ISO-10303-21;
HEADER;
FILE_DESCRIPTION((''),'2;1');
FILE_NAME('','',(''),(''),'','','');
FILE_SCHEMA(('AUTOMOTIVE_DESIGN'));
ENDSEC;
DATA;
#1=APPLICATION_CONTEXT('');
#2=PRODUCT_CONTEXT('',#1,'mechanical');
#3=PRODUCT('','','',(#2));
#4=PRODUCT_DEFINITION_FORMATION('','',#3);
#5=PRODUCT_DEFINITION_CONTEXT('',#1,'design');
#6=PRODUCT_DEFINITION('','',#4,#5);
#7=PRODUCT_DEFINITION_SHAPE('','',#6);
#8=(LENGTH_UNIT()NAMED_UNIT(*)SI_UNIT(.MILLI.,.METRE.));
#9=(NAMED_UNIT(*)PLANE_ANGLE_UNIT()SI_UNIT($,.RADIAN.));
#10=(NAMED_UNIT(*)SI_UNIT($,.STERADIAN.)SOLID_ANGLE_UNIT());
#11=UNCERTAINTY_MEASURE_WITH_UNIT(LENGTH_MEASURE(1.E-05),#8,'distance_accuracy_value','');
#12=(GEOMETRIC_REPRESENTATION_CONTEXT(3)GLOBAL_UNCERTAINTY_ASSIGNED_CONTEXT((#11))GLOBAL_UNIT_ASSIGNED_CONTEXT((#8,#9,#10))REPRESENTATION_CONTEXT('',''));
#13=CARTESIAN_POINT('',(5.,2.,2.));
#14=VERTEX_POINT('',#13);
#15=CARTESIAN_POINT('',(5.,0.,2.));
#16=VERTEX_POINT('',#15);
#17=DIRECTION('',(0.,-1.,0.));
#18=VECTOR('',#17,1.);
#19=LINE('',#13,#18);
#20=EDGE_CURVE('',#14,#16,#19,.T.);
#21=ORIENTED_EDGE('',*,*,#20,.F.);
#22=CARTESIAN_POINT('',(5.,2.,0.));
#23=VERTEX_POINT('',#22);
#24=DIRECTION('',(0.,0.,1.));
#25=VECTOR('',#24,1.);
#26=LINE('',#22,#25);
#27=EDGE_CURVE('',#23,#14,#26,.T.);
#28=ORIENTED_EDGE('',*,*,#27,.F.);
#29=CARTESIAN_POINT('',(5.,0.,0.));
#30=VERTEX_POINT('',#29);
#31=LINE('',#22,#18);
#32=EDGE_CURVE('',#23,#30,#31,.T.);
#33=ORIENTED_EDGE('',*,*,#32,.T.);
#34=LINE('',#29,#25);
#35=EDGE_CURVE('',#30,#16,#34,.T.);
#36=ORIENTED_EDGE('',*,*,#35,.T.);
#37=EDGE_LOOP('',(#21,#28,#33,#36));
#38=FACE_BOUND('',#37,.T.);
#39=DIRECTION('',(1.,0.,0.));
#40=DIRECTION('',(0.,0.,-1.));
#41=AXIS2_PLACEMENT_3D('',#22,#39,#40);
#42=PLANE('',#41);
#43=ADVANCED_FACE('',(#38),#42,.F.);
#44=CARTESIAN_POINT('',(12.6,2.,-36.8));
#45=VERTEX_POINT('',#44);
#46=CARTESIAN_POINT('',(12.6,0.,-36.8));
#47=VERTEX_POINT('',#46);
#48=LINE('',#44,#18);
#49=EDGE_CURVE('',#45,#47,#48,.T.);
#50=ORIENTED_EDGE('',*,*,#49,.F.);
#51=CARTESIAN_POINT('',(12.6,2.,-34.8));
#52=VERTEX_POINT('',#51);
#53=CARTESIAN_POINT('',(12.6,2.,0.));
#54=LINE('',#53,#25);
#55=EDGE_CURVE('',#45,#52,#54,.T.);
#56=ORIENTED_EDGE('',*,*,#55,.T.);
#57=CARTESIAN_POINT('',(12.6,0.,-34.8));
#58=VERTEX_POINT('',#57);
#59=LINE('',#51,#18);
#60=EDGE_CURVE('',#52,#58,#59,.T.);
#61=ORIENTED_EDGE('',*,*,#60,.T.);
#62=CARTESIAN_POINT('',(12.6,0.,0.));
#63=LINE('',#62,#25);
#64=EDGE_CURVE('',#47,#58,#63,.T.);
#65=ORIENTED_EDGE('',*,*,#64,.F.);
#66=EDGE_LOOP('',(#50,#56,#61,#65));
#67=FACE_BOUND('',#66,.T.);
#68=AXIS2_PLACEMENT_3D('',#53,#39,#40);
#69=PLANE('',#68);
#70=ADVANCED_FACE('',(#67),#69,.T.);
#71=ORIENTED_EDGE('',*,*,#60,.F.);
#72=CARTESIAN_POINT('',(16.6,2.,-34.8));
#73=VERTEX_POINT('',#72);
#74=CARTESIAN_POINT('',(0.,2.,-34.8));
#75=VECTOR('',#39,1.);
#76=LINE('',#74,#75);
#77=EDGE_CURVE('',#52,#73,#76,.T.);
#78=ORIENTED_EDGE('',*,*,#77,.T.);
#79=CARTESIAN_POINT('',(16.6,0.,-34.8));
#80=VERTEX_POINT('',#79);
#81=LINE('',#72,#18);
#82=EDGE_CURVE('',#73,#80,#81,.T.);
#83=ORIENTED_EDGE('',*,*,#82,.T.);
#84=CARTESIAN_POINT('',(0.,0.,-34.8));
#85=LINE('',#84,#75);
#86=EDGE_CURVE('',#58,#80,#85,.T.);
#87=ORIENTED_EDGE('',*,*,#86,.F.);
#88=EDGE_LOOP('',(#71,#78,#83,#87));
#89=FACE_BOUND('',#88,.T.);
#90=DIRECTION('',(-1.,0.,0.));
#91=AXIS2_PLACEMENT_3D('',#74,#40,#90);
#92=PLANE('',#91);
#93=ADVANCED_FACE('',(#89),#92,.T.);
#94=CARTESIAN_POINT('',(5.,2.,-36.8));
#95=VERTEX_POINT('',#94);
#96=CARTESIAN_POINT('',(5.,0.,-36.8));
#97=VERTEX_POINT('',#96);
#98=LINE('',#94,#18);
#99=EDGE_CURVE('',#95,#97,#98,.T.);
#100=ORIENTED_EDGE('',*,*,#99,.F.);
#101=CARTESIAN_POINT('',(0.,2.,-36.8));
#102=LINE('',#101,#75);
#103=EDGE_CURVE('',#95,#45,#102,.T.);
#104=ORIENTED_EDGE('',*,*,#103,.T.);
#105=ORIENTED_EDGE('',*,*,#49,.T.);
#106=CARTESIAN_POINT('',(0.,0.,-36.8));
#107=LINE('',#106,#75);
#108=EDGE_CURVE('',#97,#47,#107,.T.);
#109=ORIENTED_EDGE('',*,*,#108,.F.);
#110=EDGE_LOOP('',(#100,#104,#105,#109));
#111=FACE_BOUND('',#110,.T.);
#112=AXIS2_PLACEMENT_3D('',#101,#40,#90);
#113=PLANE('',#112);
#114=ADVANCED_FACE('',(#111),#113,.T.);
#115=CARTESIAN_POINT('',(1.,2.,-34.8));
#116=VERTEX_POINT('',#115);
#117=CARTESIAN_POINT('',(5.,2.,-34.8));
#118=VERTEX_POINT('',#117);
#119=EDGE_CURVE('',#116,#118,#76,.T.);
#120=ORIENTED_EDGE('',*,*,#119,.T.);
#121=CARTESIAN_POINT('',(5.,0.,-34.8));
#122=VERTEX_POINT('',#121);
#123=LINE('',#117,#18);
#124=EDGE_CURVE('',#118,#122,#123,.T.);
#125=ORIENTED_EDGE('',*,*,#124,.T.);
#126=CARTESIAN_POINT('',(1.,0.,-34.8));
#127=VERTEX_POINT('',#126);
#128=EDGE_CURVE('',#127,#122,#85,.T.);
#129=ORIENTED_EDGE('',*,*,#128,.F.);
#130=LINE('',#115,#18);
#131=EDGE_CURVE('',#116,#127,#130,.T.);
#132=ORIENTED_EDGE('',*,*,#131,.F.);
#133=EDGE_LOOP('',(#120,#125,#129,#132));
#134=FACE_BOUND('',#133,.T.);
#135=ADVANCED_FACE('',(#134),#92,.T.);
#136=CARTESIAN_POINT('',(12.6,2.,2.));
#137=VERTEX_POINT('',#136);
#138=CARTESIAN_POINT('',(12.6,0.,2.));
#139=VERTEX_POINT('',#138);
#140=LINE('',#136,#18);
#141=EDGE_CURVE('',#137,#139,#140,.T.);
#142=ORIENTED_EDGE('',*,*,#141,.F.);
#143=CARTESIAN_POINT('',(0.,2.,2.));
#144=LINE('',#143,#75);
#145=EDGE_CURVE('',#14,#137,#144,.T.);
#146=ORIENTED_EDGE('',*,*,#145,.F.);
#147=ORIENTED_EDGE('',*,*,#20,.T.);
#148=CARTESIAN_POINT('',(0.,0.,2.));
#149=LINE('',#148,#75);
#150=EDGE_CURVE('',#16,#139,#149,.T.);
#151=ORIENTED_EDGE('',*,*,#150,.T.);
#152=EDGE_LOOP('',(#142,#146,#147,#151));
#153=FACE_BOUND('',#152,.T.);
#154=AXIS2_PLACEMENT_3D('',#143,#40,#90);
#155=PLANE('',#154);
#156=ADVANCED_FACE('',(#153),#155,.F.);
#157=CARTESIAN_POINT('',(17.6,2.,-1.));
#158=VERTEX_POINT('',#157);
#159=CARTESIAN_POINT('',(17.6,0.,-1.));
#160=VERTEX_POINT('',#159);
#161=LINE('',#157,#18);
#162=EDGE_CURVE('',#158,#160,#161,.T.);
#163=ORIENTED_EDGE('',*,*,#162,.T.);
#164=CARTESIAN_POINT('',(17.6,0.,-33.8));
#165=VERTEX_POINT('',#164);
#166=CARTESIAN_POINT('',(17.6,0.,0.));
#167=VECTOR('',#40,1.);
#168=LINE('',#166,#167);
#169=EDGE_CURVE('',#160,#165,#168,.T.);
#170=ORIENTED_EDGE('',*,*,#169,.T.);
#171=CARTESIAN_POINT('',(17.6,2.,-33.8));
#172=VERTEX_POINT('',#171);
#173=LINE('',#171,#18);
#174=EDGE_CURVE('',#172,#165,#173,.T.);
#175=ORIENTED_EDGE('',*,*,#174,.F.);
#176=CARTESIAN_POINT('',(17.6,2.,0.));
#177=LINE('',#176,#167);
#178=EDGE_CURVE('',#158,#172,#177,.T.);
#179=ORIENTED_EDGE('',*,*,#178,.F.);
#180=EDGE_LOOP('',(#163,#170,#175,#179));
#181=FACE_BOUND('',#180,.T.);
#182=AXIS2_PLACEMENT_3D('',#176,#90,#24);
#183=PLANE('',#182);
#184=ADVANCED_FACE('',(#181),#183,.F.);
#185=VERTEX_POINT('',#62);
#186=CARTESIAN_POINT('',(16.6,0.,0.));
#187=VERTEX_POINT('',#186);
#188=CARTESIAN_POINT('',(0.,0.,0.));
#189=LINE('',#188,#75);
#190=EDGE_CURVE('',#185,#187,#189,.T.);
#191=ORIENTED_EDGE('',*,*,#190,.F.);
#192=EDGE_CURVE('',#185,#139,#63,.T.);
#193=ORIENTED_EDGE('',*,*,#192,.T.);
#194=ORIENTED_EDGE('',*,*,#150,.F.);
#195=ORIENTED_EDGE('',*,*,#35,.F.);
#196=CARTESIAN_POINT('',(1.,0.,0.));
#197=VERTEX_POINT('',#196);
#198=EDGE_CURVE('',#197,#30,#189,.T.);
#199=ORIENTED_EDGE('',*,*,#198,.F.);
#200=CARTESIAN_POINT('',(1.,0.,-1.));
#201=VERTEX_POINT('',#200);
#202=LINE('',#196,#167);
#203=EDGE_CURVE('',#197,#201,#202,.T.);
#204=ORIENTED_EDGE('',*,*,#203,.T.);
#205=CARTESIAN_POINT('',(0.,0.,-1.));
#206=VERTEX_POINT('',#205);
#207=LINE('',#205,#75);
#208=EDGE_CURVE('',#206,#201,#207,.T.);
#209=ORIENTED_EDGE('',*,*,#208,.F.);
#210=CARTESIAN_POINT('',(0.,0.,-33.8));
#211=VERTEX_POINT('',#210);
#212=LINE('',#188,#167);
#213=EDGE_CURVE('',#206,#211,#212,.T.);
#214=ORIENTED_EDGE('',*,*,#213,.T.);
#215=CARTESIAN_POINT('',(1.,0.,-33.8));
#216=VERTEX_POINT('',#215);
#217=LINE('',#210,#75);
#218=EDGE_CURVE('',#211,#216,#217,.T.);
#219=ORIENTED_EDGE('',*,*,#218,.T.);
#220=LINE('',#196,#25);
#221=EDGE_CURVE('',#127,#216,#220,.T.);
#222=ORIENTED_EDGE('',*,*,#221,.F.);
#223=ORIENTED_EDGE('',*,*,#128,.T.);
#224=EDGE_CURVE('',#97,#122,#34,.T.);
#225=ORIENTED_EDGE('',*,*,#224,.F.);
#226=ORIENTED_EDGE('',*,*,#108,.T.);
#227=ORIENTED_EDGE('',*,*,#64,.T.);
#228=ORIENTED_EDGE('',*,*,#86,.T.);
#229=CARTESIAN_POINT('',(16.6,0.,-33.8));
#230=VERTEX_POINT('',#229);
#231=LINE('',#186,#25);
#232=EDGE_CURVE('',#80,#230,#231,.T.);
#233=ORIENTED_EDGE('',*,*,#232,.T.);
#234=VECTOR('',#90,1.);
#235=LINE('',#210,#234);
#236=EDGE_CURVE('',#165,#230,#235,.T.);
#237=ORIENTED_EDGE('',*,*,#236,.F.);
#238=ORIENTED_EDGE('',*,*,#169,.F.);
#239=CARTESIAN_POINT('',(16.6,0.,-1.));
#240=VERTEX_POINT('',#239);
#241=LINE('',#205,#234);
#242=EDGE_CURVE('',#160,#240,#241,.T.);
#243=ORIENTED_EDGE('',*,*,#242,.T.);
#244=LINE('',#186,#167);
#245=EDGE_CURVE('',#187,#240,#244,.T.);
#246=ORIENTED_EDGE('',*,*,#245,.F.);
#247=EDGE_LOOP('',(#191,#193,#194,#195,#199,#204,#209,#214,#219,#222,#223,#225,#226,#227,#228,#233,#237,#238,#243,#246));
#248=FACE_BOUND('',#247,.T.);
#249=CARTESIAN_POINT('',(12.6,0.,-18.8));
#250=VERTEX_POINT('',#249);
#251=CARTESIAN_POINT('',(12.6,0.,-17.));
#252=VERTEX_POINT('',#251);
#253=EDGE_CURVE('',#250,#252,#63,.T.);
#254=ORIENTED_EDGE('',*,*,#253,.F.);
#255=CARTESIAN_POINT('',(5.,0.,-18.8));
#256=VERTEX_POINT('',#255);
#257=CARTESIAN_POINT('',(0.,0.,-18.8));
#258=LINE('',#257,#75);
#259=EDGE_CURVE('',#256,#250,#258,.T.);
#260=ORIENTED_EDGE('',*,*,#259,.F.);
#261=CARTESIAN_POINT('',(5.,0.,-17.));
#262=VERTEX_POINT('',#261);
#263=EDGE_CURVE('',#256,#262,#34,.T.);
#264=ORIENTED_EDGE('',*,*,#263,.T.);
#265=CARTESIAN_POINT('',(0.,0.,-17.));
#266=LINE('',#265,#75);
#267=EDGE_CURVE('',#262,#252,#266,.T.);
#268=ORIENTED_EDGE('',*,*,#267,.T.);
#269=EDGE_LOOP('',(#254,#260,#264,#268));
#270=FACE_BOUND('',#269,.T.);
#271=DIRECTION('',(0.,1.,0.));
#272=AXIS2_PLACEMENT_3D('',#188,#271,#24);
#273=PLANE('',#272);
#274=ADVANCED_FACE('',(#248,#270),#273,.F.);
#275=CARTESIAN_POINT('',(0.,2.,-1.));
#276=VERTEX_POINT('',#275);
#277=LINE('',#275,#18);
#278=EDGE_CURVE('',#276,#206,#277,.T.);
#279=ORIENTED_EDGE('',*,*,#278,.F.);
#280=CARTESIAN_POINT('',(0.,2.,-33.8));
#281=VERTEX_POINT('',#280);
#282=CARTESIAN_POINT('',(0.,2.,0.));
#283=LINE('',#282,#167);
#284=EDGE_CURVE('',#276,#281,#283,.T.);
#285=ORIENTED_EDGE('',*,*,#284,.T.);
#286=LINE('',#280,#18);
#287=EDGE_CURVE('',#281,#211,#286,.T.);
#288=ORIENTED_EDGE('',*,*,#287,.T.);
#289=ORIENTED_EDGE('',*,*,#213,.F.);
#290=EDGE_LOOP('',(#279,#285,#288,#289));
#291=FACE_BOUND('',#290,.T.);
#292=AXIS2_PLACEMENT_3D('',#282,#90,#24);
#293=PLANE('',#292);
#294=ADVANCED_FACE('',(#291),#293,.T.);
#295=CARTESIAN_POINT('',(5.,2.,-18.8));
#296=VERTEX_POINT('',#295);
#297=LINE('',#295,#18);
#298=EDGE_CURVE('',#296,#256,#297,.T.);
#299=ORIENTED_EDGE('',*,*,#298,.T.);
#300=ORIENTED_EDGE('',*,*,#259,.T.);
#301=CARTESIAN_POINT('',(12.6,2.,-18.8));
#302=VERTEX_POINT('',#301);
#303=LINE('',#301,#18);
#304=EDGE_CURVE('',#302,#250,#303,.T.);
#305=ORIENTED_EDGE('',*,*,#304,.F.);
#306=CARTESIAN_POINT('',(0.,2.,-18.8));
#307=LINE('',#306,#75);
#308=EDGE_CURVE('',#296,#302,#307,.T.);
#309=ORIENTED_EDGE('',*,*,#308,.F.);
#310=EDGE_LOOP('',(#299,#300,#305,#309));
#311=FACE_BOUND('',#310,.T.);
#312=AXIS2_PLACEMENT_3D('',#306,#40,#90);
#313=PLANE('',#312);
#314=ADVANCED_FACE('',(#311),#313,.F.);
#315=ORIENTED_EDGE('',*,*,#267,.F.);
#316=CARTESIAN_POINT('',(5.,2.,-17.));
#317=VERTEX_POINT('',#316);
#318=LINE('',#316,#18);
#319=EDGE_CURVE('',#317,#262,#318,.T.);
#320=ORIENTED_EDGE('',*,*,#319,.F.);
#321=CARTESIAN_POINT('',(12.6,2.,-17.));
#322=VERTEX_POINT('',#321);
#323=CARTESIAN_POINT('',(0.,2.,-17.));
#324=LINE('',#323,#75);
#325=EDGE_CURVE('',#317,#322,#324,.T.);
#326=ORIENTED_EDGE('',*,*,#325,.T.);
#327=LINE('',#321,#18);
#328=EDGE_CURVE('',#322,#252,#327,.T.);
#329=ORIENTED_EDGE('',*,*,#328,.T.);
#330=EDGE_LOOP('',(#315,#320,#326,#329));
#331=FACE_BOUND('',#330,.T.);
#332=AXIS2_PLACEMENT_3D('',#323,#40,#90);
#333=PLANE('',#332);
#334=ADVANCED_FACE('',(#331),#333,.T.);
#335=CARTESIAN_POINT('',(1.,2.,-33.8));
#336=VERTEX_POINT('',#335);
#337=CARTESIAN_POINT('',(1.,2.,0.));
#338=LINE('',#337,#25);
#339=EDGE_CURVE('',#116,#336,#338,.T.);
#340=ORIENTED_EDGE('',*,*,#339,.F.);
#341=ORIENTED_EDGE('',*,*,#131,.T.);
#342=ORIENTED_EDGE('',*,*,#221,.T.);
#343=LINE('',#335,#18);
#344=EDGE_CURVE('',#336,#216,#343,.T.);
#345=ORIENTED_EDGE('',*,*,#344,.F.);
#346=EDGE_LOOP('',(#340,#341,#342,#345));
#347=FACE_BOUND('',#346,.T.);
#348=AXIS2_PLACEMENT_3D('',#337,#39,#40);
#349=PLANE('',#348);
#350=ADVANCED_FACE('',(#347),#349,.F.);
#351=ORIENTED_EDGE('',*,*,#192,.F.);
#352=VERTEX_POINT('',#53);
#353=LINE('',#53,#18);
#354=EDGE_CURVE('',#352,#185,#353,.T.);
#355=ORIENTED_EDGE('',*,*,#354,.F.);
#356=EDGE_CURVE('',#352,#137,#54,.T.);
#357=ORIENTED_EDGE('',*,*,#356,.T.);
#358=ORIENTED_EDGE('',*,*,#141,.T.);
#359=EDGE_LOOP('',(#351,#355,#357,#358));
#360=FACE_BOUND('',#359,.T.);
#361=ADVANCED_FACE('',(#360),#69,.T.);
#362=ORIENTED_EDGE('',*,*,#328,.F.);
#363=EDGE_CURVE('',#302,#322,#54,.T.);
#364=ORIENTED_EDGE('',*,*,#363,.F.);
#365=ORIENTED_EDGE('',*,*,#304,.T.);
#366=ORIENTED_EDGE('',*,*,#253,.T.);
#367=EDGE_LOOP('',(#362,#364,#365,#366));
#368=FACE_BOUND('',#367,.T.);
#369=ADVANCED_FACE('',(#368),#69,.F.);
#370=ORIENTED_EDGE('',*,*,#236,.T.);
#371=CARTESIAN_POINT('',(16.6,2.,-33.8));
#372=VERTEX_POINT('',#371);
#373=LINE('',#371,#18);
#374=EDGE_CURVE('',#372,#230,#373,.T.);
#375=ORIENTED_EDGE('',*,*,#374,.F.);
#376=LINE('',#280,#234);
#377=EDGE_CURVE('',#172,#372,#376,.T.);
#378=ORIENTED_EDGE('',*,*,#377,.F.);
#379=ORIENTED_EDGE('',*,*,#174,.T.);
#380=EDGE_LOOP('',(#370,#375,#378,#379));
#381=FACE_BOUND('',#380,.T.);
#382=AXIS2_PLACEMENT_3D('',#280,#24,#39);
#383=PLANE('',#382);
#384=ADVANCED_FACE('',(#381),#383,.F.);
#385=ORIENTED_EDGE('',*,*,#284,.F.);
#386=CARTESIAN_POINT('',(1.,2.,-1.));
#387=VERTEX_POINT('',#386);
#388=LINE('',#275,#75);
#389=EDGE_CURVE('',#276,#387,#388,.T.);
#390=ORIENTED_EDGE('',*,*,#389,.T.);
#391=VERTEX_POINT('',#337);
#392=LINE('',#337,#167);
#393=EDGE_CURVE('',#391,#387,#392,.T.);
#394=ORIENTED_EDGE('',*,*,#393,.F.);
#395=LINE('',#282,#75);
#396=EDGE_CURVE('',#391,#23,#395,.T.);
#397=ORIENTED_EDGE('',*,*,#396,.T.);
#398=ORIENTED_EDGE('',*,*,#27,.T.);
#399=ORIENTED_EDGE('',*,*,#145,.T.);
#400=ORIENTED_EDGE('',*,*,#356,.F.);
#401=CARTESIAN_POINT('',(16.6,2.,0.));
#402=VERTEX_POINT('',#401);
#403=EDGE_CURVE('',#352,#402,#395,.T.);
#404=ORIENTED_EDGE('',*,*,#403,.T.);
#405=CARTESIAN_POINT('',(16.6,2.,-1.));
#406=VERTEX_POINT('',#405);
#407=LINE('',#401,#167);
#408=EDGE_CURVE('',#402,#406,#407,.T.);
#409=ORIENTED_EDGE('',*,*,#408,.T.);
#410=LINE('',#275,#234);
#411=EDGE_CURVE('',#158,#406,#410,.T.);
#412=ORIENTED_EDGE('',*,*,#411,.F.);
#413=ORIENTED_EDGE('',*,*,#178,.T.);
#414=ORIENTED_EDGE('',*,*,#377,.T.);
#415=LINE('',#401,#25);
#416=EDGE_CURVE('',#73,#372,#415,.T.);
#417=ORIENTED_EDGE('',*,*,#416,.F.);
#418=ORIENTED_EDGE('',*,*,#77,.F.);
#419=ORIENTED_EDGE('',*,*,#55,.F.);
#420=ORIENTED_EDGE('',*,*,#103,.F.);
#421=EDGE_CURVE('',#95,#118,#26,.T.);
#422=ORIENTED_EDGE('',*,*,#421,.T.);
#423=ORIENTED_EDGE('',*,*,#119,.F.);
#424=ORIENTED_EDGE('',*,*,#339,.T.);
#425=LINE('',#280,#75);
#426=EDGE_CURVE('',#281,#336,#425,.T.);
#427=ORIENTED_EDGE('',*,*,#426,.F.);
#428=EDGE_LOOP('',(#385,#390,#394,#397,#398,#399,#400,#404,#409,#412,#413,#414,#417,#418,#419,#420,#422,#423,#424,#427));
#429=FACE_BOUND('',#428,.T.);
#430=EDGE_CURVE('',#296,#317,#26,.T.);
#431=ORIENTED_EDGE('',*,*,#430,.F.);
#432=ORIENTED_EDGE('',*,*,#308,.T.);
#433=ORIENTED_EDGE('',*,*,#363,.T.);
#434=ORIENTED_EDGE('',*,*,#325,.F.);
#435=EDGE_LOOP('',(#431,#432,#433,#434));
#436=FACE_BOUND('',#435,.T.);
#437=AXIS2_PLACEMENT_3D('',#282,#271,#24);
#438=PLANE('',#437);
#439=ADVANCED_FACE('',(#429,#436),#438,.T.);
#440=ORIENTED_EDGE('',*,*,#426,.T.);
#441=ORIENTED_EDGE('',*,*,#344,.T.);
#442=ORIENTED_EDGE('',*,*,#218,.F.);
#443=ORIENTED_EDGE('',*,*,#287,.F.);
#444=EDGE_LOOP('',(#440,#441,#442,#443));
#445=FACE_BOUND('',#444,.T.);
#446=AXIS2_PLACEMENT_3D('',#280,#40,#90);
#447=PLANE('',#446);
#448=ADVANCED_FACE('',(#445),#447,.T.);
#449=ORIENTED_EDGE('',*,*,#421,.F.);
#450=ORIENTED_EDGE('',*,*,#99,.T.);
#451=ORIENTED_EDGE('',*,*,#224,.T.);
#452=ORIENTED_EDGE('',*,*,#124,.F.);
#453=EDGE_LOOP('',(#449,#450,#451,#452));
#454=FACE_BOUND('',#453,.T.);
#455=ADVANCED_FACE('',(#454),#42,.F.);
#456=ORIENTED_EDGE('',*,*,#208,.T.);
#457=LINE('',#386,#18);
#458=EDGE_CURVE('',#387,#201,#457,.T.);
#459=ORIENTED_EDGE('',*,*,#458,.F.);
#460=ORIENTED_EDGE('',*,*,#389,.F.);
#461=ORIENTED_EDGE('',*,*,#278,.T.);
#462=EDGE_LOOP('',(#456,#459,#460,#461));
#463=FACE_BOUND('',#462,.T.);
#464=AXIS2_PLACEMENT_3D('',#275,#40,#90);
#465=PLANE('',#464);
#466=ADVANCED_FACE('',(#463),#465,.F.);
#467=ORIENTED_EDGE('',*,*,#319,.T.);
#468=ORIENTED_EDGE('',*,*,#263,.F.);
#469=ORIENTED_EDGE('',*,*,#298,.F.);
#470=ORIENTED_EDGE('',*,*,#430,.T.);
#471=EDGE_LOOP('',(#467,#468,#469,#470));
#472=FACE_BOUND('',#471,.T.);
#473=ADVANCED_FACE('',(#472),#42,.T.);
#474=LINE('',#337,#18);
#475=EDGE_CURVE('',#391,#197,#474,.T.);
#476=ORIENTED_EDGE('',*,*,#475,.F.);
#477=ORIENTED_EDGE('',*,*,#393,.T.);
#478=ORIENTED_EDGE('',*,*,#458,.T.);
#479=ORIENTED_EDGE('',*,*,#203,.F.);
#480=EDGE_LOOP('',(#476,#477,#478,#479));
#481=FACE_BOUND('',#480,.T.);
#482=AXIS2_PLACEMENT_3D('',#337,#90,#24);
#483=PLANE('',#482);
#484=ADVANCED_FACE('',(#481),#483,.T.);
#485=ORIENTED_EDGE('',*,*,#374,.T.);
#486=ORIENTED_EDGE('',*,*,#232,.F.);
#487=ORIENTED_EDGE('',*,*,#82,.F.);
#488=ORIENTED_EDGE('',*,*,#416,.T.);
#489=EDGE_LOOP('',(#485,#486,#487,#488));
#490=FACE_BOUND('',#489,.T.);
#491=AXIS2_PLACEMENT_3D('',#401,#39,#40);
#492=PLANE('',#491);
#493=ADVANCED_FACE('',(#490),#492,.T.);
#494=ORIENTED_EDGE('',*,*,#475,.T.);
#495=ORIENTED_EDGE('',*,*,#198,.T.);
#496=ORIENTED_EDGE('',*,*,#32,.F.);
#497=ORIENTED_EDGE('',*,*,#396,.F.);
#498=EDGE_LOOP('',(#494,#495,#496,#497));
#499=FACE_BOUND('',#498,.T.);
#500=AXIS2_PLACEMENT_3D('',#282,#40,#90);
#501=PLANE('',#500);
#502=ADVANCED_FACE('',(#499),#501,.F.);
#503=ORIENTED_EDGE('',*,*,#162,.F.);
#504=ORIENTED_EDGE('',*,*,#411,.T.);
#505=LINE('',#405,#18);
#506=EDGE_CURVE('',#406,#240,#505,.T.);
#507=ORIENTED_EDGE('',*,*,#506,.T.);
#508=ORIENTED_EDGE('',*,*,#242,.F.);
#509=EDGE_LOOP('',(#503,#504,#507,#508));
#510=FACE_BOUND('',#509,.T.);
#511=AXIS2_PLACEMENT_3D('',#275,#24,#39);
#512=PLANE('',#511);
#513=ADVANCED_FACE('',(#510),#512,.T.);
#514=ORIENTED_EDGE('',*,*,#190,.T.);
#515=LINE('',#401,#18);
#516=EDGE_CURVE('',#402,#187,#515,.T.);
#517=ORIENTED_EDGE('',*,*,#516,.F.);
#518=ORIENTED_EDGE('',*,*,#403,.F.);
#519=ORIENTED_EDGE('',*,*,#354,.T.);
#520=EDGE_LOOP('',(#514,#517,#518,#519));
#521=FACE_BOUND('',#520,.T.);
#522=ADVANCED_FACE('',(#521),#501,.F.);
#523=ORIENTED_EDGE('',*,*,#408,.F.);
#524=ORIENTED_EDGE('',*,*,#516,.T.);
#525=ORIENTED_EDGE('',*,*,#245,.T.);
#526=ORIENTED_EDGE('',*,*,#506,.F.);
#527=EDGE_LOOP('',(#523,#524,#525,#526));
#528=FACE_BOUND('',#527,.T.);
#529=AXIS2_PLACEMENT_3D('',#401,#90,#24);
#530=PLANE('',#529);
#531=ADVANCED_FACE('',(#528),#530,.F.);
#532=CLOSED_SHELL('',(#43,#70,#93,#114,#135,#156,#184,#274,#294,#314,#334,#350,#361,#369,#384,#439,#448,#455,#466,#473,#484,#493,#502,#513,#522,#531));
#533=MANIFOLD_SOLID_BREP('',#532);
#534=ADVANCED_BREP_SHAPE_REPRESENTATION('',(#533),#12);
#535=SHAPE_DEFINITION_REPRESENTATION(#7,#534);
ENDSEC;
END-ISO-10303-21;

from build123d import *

# Parameters (mm, degrees)
SKETCH_1_W      = 7.6
SKETCH_1_H      = 1.8
EXTRUDE_1_DEPTH = 2


with BuildPart() as part:
    # 草图1 → 凸台-拉伸1 (new body)
    with BuildSketch(Plane(origin=(0, 0, 0), x_dir=(1, 0, 0), z_dir=(0, 1, 0))):
        Polygon((1, 1), (1, 0), (5, 0), (5, -2), (12.6, -2), (12.6, 0), (16.6, 0), (16.6, 1), (17.6, 1), (17.6, 33.8), (16.6, 33.8), (16.6, 34.8), (12.6, 34.8), (12.6, 36.8), (5, 36.8), (5, 34.8), (1, 34.8), (1, 33.8), (0, 33.8), (0, 1), align=None)
        with Locations((8.8, 17.9)):
            Rectangle(SKETCH_1_W, SKETCH_1_H, mode=Mode.SUBTRACT)
    extrude(amount=EXTRUDE_1_DEPTH)


solid = part.part
